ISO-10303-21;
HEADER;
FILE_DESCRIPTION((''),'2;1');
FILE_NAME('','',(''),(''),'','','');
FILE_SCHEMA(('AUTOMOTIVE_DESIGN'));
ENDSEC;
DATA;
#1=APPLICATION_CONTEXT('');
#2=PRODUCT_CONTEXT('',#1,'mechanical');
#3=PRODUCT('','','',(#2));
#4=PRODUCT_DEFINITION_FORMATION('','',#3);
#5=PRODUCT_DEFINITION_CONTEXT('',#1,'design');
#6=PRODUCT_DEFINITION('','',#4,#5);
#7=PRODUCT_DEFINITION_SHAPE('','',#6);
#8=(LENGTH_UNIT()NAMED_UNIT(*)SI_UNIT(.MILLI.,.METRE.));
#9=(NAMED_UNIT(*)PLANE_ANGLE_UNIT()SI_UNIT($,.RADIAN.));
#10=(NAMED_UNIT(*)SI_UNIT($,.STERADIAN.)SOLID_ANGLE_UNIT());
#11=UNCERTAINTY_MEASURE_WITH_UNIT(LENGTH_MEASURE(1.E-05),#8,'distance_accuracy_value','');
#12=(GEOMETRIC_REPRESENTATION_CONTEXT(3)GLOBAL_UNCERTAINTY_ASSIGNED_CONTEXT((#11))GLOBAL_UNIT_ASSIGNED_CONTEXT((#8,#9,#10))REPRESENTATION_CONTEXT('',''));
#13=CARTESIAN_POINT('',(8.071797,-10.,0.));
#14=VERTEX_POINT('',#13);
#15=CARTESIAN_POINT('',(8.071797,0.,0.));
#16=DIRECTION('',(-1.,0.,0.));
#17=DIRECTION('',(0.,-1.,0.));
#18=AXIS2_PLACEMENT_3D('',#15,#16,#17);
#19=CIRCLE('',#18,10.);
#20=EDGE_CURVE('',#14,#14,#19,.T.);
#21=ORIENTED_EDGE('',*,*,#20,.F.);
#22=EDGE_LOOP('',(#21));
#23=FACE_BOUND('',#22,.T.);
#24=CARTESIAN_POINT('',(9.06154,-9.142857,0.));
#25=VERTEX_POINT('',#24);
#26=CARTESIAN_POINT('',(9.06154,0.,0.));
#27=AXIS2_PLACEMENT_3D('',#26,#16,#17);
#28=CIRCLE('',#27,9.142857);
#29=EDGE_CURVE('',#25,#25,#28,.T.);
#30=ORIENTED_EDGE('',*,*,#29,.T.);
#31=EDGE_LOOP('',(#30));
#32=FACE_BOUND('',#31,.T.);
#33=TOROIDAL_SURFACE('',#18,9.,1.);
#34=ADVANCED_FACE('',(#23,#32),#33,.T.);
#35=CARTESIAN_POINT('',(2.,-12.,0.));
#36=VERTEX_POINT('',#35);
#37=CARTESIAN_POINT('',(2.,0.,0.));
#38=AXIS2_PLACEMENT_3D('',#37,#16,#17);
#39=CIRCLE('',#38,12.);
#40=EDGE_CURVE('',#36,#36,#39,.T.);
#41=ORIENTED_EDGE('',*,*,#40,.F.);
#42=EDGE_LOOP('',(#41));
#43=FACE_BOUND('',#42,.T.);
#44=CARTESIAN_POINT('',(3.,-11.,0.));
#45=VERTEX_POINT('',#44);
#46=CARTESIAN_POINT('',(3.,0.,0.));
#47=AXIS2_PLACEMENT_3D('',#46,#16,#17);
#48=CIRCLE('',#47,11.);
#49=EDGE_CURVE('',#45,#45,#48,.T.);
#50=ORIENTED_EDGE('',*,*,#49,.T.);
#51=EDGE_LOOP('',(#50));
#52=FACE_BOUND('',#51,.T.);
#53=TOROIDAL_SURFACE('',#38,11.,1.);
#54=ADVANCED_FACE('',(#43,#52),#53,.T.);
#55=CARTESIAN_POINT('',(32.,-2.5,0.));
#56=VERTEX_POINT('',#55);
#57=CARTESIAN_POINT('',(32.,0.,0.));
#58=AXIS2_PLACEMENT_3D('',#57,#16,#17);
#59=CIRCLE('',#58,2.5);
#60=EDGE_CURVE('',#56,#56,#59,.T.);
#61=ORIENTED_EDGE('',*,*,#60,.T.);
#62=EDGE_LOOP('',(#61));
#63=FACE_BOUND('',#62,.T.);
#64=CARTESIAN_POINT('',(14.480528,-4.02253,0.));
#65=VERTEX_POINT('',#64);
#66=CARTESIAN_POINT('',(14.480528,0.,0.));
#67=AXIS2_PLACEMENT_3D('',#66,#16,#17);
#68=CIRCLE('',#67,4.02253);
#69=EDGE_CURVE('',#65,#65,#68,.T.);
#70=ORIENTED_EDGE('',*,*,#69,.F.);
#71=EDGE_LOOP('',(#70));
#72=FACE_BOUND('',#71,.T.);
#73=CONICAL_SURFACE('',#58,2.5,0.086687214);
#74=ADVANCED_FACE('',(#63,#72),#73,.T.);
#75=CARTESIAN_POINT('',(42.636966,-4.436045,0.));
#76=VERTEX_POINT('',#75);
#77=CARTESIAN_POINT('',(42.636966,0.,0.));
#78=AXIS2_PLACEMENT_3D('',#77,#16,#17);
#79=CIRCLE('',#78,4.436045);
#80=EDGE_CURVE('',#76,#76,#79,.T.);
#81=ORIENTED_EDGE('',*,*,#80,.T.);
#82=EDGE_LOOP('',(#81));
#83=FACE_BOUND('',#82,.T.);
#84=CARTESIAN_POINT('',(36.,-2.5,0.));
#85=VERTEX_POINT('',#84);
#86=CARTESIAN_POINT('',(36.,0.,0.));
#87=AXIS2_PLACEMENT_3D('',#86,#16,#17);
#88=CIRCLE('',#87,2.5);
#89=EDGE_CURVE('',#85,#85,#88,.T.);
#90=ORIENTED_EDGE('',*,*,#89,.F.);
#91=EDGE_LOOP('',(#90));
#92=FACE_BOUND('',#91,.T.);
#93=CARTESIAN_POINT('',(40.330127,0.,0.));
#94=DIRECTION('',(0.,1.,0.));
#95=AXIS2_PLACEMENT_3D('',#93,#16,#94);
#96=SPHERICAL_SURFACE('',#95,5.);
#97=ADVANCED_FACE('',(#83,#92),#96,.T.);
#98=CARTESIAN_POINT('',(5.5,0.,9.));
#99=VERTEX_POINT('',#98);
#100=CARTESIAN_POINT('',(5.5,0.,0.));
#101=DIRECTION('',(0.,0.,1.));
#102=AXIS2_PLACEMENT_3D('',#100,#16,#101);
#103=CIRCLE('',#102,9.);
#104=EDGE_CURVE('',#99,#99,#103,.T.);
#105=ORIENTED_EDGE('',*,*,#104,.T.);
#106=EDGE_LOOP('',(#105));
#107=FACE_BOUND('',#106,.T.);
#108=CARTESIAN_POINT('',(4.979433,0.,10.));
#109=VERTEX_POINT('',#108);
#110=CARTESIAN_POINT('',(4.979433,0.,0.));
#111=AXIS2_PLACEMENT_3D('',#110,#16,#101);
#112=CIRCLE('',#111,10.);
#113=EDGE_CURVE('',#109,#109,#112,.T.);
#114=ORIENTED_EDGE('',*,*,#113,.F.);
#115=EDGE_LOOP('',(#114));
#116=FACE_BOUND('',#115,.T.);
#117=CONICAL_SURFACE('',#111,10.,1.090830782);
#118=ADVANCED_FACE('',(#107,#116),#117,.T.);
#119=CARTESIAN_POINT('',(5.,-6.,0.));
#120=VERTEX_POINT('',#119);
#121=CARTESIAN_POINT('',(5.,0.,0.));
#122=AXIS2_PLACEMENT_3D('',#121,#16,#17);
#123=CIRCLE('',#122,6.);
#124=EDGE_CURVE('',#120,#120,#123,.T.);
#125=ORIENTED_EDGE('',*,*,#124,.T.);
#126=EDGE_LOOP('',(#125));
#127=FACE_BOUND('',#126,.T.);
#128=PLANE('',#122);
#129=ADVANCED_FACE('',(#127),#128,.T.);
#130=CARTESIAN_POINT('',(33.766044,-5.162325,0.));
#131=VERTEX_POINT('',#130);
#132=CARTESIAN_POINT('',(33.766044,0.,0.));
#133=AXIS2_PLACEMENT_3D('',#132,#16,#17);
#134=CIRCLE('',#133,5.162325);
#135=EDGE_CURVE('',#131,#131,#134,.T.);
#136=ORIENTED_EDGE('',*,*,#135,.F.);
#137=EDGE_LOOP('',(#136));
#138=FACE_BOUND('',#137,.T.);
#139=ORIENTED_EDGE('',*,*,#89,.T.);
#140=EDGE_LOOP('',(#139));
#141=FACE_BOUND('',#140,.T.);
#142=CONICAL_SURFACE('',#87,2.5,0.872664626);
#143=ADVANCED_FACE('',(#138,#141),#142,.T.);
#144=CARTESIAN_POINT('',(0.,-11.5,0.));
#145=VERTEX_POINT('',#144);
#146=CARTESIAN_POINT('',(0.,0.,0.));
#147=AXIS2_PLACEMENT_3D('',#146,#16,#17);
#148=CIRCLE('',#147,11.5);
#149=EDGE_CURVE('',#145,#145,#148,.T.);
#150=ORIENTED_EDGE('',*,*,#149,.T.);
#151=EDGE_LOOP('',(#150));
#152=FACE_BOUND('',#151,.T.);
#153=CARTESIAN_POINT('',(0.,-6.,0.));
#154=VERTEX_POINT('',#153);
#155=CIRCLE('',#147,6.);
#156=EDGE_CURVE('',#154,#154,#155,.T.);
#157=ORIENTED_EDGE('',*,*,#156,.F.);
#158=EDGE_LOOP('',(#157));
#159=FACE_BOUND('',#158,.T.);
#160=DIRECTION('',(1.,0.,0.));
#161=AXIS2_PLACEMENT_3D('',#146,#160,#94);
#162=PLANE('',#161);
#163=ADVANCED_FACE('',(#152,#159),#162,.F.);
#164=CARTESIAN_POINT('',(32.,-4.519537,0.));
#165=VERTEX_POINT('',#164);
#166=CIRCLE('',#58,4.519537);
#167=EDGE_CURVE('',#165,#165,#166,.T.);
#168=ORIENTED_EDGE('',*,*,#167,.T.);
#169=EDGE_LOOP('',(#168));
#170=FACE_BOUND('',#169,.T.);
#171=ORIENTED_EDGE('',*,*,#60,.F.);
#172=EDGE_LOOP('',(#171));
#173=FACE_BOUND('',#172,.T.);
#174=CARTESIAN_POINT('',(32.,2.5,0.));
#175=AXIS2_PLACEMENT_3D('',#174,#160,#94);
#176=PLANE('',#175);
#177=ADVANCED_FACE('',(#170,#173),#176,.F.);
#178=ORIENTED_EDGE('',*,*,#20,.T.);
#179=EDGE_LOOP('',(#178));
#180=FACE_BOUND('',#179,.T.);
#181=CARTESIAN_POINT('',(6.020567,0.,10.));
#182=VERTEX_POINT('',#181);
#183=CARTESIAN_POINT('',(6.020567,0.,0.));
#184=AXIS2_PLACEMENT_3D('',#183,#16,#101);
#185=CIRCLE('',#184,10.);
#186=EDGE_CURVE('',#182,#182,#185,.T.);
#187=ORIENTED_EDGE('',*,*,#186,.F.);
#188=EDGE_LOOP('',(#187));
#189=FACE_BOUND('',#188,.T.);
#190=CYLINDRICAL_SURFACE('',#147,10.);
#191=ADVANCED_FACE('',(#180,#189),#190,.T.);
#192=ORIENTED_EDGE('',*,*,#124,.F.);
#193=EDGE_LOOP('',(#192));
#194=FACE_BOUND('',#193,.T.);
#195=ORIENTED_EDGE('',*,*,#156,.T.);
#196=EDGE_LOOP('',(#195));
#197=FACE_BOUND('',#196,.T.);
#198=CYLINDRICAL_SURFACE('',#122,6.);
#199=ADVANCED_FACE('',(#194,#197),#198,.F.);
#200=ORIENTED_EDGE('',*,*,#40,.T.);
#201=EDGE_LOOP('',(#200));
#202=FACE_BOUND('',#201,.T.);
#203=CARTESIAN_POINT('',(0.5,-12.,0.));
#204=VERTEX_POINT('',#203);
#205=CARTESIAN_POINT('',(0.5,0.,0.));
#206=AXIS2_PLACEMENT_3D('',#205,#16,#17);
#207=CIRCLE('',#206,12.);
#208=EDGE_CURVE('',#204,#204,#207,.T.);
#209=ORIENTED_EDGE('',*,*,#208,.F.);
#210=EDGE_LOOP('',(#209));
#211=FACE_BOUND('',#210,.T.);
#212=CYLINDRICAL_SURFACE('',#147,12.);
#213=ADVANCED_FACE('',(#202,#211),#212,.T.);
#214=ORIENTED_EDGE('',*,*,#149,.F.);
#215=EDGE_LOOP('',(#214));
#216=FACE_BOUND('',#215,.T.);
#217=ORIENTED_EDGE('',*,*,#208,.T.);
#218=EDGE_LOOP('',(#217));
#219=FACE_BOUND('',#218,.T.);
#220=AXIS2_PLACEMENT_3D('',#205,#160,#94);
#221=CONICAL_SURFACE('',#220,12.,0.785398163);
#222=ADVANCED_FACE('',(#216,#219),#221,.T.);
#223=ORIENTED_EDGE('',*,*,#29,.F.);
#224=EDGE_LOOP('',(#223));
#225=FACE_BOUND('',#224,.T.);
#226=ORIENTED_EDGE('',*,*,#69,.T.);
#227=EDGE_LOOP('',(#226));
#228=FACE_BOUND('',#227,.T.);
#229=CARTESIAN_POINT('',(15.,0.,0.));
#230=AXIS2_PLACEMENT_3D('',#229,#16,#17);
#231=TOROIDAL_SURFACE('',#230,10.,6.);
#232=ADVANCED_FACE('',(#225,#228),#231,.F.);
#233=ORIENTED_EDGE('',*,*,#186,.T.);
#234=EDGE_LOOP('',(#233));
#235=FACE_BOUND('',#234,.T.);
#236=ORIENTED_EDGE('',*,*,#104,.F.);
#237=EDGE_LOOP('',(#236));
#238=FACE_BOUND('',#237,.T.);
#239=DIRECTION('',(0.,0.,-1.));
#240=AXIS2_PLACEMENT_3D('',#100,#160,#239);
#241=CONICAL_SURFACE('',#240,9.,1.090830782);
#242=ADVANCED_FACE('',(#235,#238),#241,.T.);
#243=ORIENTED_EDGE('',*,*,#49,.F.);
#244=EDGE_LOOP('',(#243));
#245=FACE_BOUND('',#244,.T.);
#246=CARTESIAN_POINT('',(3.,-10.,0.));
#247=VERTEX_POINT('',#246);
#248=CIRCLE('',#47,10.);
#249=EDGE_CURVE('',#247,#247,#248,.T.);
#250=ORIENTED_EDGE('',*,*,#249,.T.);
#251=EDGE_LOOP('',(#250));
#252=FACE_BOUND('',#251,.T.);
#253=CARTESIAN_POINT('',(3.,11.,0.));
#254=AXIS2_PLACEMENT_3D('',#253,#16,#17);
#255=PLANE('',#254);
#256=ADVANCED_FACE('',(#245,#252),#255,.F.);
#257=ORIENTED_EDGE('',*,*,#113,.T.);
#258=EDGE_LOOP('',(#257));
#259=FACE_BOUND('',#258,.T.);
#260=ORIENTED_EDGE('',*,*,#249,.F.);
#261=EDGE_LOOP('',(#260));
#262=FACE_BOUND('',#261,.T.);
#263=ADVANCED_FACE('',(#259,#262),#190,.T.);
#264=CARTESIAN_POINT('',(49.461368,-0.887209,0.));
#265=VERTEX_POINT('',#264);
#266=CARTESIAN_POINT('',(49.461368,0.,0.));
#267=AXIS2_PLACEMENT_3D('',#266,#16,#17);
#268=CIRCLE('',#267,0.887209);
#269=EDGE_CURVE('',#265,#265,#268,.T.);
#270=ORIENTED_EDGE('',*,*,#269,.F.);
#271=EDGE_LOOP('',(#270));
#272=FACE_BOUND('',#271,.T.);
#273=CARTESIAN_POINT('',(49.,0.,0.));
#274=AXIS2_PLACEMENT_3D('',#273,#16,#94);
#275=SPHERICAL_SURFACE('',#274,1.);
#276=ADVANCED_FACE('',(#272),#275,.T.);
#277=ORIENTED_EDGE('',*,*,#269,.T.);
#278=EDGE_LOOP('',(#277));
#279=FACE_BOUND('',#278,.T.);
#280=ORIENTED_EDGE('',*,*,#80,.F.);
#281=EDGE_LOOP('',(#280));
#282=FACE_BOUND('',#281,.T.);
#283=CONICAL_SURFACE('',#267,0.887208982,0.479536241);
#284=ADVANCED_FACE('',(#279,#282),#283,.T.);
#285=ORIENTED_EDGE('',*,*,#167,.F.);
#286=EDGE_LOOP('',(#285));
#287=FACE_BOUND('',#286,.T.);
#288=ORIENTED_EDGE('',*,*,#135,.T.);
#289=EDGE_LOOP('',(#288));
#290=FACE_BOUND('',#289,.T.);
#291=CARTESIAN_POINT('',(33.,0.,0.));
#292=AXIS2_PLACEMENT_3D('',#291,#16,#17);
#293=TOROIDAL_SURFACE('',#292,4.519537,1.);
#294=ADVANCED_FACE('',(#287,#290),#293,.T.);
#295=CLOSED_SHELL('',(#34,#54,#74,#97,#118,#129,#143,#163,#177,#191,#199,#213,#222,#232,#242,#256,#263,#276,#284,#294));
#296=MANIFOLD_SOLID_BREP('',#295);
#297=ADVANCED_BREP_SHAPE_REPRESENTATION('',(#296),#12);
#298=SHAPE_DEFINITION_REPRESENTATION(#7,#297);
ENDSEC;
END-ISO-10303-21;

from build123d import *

# Parameters (mm, degrees)
SKETCH3_R          = 6
CUT_EXTRUDE1_DEPTH = 5


with BuildPart() as part:
    # Sketch1 → Revolve1 (revolve)
    with BuildSketch(Plane.XY, mode=Mode.PRIVATE) as revolve1_sk:
        with BuildLine():
            Line((0, 0), (0, 11.5))
            Line((0, 11.5), (0.5, 12))
            Line((0.5, 12), (2, 12))
            ThreePointArc((2, 12), (2.707106781, 11.707106781), (3, 11))
            Line((3, 11), (3, 10))
            Line((3, 10), (8.07179677, 10))
            ThreePointArc((8.07179677, 10), (8.72645044, 9.755928946), (9.061540088, 9.142857143))
            ThreePointArc((9.061540088, 9.142857143), (10.879240455, 5.638883082), (14.480527899, 4.022529905))
            Line((14.480527899, 4.022529905), (32, 2.5))
            Line((32, 2.5), (32, 4.519536951))
            ThreePointArc((32, 4.519536951), (32.657979857, 5.459229572), (33.766044443, 5.162324561))
            Line((33.766044443, 5.162324561), (36, 2.5))
            ThreePointArc((36, 2.5), (38.9299516, 4.799948833), (42.63696589, 4.436044908))
            Line((42.63696589, 4.436044908), (49.461367774, 0.887208982))
            ThreePointArc((49.461367774, 0.887208982), (49.854800496, 0.518956754), (50, 0))
            Line((50, 0), (0, 0))
        make_face()
    revolve(revolve1_sk.sketch.rotate(Axis((0, 0, 0), (1, 0, 0)), 180), axis=Axis((0, 0, 0), (1, 0, 0)))  # turned: the seam where the file's is

    # Sketch2 → Cut-Revolve1 (revolve, cut)
    with BuildSketch(Plane.XY, mode=Mode.PRIVATE) as cut_revolve1_sk:
        Polygon((4.979432949, 10), (5.5, 9), (6.020567051, 10), align=None)
    revolve(cut_revolve1_sk.sketch.rotate(Axis((0, 0, 0), (1, 0, 0)), 180), axis=Axis((0, 0, 0), (1, 0, 0)), mode=Mode.SUBTRACT)  # turned: the seam where the file's is

    # Sketch3 → Cut-Extrude1 (cut)
    with BuildSketch(Plane.ZY):
        with Locations(Location((0, 0, 0), (0, 0, 270))):  # turned: the seam where the file's is
            Circle(SKETCH3_R)
    extrude(amount=-CUT_EXTRUDE1_DEPTH, mode=Mode.SUBTRACT)


solid = part.part
